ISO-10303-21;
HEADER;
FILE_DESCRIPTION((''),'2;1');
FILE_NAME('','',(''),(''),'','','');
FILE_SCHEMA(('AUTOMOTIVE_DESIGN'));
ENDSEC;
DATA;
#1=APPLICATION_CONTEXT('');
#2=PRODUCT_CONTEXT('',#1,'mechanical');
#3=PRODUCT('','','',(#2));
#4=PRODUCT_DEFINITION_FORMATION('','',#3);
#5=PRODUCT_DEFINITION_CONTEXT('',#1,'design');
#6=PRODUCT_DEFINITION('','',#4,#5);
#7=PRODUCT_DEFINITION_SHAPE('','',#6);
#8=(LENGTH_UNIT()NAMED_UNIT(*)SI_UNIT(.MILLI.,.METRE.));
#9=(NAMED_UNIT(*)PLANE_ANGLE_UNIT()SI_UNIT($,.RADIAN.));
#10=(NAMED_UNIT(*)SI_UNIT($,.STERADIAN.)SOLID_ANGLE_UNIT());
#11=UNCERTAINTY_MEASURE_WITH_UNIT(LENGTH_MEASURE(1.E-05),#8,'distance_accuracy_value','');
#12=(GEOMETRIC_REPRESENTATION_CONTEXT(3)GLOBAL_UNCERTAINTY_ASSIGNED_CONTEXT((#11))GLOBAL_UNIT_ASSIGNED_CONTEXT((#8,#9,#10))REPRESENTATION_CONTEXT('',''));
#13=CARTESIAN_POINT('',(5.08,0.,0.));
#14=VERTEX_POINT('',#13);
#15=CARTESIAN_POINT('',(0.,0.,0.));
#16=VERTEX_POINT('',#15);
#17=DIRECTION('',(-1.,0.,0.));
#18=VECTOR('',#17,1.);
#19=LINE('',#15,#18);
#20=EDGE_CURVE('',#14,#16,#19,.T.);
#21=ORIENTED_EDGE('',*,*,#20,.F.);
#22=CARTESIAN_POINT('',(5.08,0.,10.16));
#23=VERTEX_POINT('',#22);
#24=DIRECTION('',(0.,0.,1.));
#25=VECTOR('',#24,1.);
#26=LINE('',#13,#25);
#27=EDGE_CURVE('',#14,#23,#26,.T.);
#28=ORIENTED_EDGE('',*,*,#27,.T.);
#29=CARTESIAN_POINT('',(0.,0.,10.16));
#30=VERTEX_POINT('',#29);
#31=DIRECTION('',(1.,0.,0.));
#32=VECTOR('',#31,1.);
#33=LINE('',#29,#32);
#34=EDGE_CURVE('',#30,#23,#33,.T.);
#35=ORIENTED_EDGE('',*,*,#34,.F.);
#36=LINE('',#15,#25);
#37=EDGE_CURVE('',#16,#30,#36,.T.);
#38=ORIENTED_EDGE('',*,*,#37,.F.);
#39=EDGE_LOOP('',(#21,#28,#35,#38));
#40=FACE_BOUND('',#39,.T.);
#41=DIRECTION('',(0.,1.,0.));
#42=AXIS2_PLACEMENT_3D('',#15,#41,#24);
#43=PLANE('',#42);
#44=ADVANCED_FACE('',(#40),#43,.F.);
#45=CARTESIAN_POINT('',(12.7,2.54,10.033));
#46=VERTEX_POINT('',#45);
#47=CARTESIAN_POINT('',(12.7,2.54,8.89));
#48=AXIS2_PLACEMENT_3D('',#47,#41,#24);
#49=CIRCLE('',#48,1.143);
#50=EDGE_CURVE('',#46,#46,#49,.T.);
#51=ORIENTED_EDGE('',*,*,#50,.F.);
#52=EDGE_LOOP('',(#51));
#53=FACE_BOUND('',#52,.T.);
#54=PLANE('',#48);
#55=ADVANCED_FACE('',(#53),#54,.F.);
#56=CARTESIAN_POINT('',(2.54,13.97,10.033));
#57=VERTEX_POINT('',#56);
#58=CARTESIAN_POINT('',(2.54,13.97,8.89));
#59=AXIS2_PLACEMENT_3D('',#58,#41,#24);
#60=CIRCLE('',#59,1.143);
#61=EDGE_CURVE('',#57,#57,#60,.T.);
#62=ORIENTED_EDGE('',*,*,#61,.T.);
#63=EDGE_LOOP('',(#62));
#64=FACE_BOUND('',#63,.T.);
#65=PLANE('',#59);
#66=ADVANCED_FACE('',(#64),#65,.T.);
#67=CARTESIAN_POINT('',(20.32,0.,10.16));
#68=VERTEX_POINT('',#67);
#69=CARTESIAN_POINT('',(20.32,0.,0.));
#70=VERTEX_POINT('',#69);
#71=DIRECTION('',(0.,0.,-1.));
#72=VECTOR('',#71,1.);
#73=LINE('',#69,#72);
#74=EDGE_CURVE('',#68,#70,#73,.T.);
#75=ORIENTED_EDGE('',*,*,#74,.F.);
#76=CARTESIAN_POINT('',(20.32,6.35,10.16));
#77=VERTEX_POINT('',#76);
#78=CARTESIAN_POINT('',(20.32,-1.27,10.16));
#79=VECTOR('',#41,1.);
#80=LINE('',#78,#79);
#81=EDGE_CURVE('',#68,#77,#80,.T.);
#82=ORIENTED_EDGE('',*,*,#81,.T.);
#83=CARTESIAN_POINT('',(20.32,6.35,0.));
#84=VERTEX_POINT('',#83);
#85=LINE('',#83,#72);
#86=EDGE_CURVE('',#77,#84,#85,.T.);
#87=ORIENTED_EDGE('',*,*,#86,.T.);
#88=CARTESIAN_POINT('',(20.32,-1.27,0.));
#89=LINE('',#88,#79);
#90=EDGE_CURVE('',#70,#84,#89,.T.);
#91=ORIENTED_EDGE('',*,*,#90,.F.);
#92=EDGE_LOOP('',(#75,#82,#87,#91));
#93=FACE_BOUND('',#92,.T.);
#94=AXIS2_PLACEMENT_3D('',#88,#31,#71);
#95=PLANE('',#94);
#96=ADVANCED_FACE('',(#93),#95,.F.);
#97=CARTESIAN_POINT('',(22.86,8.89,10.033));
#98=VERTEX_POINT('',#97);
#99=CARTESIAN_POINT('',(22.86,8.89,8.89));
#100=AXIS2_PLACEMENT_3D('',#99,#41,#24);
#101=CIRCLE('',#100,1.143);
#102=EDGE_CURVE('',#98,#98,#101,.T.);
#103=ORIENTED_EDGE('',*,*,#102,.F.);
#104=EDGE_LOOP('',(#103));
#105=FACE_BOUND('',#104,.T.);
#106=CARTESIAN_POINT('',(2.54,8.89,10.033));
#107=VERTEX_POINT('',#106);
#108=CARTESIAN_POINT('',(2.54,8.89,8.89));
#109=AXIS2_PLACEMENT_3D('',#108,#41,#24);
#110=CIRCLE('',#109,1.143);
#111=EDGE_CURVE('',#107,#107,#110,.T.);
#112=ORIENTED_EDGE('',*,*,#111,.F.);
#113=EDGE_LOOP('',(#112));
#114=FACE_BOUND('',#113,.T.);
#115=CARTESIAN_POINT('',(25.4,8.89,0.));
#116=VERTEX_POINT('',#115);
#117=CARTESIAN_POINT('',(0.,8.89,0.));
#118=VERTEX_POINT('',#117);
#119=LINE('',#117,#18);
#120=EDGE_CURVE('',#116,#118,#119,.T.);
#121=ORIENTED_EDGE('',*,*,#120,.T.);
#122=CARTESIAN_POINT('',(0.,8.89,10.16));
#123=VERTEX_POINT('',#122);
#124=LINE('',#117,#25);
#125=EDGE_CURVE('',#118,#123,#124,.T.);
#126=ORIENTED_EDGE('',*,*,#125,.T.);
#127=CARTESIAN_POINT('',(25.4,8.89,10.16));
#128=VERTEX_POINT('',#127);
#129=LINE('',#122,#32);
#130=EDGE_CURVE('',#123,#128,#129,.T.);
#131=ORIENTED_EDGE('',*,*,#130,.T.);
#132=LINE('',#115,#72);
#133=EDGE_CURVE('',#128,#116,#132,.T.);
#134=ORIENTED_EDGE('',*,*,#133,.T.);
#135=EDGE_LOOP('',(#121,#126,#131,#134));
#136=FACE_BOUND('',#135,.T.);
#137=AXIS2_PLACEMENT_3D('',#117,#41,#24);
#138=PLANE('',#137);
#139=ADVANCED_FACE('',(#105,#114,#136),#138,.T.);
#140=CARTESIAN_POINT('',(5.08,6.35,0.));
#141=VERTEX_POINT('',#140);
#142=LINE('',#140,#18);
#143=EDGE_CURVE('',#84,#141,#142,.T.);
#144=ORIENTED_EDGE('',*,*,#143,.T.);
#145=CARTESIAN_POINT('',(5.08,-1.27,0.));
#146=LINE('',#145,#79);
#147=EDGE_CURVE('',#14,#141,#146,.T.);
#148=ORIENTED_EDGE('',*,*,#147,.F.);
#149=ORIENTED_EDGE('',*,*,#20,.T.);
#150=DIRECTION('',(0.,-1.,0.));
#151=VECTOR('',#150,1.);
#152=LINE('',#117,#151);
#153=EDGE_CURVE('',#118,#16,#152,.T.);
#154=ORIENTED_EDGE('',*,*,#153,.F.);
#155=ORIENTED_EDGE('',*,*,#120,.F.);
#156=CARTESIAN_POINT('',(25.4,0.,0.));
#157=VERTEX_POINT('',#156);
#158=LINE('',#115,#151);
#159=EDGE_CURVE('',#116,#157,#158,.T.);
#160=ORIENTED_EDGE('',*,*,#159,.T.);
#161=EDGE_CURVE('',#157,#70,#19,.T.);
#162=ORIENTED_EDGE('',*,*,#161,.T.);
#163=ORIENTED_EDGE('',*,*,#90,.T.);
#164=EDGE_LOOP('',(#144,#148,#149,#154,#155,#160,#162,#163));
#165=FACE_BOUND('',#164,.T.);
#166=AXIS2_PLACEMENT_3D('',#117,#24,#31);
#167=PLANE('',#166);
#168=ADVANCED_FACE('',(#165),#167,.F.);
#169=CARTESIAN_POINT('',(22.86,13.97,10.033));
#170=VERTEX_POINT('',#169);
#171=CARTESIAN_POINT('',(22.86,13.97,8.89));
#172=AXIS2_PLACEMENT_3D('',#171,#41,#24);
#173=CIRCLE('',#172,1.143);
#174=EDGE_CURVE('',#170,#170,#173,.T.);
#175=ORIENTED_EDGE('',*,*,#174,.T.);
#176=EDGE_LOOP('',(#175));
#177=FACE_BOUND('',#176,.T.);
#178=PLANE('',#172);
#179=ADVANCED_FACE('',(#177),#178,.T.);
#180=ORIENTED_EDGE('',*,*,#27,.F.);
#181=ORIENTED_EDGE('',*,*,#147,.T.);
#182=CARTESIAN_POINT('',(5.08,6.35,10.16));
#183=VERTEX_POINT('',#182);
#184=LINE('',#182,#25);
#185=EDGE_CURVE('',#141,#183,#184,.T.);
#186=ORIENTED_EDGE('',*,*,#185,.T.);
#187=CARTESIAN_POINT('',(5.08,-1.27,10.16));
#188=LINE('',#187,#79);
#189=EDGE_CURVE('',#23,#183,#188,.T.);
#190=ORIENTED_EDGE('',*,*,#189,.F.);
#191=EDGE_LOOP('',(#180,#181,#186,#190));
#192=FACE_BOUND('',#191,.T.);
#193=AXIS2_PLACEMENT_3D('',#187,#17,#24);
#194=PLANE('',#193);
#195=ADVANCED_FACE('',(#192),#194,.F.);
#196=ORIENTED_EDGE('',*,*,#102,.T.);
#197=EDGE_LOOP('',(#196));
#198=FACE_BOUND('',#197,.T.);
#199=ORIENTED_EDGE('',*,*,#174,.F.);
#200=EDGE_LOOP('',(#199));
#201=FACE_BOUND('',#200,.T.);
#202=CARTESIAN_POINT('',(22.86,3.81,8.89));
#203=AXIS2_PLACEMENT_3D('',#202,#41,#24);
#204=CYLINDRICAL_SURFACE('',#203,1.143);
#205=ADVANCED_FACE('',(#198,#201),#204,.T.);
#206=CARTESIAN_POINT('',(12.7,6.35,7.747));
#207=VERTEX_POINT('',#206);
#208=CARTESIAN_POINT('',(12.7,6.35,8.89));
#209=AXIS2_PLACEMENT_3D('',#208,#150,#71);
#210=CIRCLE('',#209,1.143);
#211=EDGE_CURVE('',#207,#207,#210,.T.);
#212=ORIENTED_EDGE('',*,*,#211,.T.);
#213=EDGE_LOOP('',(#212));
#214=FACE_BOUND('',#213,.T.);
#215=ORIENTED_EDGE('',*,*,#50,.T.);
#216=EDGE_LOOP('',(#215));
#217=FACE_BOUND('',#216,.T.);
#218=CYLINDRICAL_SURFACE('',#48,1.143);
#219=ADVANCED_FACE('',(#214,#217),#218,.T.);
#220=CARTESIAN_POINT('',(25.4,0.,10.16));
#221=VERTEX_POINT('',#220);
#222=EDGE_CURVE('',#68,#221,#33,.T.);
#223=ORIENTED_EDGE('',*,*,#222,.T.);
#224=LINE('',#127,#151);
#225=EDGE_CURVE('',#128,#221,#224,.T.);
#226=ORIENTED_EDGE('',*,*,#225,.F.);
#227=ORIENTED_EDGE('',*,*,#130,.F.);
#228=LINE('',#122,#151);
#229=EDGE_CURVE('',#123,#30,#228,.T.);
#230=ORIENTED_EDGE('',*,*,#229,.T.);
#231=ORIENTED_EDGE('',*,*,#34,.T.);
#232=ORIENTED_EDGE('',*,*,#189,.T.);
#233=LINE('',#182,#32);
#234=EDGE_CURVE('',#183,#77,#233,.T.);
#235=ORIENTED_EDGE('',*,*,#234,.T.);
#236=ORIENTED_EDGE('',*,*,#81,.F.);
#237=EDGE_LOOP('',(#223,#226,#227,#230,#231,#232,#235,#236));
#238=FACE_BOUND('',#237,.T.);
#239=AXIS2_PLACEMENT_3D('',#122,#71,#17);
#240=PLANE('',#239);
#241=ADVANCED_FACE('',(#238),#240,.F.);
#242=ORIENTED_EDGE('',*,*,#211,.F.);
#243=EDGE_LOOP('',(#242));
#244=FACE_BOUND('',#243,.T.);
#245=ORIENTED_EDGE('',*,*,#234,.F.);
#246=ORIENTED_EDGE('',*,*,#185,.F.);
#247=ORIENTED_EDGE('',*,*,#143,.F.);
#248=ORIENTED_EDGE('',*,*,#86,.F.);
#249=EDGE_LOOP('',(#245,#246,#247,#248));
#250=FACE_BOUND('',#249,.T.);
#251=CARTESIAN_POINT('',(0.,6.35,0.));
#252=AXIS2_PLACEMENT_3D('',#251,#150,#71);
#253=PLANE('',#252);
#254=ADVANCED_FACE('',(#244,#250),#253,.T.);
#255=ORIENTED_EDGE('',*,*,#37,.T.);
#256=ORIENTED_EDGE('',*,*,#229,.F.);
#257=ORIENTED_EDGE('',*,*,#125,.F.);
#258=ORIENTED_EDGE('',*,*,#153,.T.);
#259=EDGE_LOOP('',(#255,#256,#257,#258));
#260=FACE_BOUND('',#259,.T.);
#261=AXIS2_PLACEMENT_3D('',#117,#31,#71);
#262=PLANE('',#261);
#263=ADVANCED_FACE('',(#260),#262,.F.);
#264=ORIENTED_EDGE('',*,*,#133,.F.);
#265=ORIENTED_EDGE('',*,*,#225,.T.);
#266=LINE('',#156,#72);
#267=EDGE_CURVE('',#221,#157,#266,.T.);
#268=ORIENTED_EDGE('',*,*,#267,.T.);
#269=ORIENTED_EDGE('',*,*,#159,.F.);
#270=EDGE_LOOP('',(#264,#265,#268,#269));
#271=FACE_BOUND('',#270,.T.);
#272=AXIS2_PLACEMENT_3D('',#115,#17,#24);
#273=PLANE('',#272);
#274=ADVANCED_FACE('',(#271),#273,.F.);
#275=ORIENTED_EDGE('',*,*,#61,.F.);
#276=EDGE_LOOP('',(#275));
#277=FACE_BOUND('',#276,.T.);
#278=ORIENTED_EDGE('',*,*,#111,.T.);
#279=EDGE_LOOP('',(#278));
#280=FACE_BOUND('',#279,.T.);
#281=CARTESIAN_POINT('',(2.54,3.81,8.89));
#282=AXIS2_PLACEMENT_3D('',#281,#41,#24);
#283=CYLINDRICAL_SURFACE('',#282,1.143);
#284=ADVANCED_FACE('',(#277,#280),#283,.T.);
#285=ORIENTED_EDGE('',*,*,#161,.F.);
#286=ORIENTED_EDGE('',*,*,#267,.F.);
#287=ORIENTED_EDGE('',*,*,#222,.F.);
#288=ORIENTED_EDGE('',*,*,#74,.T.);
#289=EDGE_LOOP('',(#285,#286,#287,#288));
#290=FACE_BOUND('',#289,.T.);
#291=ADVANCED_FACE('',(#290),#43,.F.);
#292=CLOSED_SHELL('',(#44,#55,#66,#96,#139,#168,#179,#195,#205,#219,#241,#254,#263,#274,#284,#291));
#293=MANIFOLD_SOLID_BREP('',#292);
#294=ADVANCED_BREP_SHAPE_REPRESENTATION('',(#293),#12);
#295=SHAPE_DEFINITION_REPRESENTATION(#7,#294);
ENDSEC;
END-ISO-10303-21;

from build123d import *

# Parameters (mm, degrees)
SKETCH1_W                = 25.4
SKETCH1_H                = 10.16
BOSS_EXTRUDE1_DEPTH      = 8.89
SKETCH2_W                = 15.24
SKETCH2_H                = 10.16
CUT_EXTRUDE1_DEPTH       = 7.62
BOSS_EXTRUDE2_DEPTH      = 5.08
BOSS_EXTRUDE2_DEPTH_BACK = 5.08
SKETCH3_R                = 1.143
SKETCH3_5_R              = 1.143
BOSS_EXTRUDE3_DEPTH      = 6.35


with BuildPart() as part:
    # Sketch1 → Boss-Extrude1 (new body)
    with BuildSketch(Plane(origin=(0, 0, 0), x_dir=(1, 0, 0), z_dir=(0, 1, 0))):
        with Locations((12.7, -5.08)):
            Rectangle(SKETCH1_W, SKETCH1_H)
    extrude(amount=BOSS_EXTRUDE1_DEPTH)

    # Sketch2 → Cut-Extrude1 (cut)
    with BuildSketch(Plane(origin=(0, 6.35, 0), x_dir=(1, 0, 0), z_dir=(0, 1, 0))):
        with Locations((12.7, -5.08)):
            Rectangle(SKETCH2_W, SKETCH2_H)
    extrude(amount=-CUT_EXTRUDE1_DEPTH, mode=Mode.SUBTRACT)

    # Sketch3 → Boss-Extrude2 (add, two sides: drawn at the far end of the back side and taken through both)
    with BuildSketch(Plane(origin=(0, 8.89, 0), x_dir=(1, 0, 0), z_dir=(0, 1, 0)).offset(-BOSS_EXTRUDE2_DEPTH_BACK)):
        with Locations((2.54, -8.89)):
            Circle(SKETCH3_R)
        with Locations((22.86, -8.89)):
            Circle(SKETCH3_R)
    extrude(amount=BOSS_EXTRUDE2_DEPTH + BOSS_EXTRUDE2_DEPTH_BACK)

    # Sketch3<5> → Boss-Extrude3 (add)
    with BuildSketch(Plane(origin=(0, 8.89, 0), x_dir=(1, 0, 0), z_dir=(0, 1, 0))):
        with Locations((12.7, -8.89)):
            Circle(SKETCH3_5_R)
    extrude(amount=-BOSS_EXTRUDE3_DEPTH)


solid = part.part
